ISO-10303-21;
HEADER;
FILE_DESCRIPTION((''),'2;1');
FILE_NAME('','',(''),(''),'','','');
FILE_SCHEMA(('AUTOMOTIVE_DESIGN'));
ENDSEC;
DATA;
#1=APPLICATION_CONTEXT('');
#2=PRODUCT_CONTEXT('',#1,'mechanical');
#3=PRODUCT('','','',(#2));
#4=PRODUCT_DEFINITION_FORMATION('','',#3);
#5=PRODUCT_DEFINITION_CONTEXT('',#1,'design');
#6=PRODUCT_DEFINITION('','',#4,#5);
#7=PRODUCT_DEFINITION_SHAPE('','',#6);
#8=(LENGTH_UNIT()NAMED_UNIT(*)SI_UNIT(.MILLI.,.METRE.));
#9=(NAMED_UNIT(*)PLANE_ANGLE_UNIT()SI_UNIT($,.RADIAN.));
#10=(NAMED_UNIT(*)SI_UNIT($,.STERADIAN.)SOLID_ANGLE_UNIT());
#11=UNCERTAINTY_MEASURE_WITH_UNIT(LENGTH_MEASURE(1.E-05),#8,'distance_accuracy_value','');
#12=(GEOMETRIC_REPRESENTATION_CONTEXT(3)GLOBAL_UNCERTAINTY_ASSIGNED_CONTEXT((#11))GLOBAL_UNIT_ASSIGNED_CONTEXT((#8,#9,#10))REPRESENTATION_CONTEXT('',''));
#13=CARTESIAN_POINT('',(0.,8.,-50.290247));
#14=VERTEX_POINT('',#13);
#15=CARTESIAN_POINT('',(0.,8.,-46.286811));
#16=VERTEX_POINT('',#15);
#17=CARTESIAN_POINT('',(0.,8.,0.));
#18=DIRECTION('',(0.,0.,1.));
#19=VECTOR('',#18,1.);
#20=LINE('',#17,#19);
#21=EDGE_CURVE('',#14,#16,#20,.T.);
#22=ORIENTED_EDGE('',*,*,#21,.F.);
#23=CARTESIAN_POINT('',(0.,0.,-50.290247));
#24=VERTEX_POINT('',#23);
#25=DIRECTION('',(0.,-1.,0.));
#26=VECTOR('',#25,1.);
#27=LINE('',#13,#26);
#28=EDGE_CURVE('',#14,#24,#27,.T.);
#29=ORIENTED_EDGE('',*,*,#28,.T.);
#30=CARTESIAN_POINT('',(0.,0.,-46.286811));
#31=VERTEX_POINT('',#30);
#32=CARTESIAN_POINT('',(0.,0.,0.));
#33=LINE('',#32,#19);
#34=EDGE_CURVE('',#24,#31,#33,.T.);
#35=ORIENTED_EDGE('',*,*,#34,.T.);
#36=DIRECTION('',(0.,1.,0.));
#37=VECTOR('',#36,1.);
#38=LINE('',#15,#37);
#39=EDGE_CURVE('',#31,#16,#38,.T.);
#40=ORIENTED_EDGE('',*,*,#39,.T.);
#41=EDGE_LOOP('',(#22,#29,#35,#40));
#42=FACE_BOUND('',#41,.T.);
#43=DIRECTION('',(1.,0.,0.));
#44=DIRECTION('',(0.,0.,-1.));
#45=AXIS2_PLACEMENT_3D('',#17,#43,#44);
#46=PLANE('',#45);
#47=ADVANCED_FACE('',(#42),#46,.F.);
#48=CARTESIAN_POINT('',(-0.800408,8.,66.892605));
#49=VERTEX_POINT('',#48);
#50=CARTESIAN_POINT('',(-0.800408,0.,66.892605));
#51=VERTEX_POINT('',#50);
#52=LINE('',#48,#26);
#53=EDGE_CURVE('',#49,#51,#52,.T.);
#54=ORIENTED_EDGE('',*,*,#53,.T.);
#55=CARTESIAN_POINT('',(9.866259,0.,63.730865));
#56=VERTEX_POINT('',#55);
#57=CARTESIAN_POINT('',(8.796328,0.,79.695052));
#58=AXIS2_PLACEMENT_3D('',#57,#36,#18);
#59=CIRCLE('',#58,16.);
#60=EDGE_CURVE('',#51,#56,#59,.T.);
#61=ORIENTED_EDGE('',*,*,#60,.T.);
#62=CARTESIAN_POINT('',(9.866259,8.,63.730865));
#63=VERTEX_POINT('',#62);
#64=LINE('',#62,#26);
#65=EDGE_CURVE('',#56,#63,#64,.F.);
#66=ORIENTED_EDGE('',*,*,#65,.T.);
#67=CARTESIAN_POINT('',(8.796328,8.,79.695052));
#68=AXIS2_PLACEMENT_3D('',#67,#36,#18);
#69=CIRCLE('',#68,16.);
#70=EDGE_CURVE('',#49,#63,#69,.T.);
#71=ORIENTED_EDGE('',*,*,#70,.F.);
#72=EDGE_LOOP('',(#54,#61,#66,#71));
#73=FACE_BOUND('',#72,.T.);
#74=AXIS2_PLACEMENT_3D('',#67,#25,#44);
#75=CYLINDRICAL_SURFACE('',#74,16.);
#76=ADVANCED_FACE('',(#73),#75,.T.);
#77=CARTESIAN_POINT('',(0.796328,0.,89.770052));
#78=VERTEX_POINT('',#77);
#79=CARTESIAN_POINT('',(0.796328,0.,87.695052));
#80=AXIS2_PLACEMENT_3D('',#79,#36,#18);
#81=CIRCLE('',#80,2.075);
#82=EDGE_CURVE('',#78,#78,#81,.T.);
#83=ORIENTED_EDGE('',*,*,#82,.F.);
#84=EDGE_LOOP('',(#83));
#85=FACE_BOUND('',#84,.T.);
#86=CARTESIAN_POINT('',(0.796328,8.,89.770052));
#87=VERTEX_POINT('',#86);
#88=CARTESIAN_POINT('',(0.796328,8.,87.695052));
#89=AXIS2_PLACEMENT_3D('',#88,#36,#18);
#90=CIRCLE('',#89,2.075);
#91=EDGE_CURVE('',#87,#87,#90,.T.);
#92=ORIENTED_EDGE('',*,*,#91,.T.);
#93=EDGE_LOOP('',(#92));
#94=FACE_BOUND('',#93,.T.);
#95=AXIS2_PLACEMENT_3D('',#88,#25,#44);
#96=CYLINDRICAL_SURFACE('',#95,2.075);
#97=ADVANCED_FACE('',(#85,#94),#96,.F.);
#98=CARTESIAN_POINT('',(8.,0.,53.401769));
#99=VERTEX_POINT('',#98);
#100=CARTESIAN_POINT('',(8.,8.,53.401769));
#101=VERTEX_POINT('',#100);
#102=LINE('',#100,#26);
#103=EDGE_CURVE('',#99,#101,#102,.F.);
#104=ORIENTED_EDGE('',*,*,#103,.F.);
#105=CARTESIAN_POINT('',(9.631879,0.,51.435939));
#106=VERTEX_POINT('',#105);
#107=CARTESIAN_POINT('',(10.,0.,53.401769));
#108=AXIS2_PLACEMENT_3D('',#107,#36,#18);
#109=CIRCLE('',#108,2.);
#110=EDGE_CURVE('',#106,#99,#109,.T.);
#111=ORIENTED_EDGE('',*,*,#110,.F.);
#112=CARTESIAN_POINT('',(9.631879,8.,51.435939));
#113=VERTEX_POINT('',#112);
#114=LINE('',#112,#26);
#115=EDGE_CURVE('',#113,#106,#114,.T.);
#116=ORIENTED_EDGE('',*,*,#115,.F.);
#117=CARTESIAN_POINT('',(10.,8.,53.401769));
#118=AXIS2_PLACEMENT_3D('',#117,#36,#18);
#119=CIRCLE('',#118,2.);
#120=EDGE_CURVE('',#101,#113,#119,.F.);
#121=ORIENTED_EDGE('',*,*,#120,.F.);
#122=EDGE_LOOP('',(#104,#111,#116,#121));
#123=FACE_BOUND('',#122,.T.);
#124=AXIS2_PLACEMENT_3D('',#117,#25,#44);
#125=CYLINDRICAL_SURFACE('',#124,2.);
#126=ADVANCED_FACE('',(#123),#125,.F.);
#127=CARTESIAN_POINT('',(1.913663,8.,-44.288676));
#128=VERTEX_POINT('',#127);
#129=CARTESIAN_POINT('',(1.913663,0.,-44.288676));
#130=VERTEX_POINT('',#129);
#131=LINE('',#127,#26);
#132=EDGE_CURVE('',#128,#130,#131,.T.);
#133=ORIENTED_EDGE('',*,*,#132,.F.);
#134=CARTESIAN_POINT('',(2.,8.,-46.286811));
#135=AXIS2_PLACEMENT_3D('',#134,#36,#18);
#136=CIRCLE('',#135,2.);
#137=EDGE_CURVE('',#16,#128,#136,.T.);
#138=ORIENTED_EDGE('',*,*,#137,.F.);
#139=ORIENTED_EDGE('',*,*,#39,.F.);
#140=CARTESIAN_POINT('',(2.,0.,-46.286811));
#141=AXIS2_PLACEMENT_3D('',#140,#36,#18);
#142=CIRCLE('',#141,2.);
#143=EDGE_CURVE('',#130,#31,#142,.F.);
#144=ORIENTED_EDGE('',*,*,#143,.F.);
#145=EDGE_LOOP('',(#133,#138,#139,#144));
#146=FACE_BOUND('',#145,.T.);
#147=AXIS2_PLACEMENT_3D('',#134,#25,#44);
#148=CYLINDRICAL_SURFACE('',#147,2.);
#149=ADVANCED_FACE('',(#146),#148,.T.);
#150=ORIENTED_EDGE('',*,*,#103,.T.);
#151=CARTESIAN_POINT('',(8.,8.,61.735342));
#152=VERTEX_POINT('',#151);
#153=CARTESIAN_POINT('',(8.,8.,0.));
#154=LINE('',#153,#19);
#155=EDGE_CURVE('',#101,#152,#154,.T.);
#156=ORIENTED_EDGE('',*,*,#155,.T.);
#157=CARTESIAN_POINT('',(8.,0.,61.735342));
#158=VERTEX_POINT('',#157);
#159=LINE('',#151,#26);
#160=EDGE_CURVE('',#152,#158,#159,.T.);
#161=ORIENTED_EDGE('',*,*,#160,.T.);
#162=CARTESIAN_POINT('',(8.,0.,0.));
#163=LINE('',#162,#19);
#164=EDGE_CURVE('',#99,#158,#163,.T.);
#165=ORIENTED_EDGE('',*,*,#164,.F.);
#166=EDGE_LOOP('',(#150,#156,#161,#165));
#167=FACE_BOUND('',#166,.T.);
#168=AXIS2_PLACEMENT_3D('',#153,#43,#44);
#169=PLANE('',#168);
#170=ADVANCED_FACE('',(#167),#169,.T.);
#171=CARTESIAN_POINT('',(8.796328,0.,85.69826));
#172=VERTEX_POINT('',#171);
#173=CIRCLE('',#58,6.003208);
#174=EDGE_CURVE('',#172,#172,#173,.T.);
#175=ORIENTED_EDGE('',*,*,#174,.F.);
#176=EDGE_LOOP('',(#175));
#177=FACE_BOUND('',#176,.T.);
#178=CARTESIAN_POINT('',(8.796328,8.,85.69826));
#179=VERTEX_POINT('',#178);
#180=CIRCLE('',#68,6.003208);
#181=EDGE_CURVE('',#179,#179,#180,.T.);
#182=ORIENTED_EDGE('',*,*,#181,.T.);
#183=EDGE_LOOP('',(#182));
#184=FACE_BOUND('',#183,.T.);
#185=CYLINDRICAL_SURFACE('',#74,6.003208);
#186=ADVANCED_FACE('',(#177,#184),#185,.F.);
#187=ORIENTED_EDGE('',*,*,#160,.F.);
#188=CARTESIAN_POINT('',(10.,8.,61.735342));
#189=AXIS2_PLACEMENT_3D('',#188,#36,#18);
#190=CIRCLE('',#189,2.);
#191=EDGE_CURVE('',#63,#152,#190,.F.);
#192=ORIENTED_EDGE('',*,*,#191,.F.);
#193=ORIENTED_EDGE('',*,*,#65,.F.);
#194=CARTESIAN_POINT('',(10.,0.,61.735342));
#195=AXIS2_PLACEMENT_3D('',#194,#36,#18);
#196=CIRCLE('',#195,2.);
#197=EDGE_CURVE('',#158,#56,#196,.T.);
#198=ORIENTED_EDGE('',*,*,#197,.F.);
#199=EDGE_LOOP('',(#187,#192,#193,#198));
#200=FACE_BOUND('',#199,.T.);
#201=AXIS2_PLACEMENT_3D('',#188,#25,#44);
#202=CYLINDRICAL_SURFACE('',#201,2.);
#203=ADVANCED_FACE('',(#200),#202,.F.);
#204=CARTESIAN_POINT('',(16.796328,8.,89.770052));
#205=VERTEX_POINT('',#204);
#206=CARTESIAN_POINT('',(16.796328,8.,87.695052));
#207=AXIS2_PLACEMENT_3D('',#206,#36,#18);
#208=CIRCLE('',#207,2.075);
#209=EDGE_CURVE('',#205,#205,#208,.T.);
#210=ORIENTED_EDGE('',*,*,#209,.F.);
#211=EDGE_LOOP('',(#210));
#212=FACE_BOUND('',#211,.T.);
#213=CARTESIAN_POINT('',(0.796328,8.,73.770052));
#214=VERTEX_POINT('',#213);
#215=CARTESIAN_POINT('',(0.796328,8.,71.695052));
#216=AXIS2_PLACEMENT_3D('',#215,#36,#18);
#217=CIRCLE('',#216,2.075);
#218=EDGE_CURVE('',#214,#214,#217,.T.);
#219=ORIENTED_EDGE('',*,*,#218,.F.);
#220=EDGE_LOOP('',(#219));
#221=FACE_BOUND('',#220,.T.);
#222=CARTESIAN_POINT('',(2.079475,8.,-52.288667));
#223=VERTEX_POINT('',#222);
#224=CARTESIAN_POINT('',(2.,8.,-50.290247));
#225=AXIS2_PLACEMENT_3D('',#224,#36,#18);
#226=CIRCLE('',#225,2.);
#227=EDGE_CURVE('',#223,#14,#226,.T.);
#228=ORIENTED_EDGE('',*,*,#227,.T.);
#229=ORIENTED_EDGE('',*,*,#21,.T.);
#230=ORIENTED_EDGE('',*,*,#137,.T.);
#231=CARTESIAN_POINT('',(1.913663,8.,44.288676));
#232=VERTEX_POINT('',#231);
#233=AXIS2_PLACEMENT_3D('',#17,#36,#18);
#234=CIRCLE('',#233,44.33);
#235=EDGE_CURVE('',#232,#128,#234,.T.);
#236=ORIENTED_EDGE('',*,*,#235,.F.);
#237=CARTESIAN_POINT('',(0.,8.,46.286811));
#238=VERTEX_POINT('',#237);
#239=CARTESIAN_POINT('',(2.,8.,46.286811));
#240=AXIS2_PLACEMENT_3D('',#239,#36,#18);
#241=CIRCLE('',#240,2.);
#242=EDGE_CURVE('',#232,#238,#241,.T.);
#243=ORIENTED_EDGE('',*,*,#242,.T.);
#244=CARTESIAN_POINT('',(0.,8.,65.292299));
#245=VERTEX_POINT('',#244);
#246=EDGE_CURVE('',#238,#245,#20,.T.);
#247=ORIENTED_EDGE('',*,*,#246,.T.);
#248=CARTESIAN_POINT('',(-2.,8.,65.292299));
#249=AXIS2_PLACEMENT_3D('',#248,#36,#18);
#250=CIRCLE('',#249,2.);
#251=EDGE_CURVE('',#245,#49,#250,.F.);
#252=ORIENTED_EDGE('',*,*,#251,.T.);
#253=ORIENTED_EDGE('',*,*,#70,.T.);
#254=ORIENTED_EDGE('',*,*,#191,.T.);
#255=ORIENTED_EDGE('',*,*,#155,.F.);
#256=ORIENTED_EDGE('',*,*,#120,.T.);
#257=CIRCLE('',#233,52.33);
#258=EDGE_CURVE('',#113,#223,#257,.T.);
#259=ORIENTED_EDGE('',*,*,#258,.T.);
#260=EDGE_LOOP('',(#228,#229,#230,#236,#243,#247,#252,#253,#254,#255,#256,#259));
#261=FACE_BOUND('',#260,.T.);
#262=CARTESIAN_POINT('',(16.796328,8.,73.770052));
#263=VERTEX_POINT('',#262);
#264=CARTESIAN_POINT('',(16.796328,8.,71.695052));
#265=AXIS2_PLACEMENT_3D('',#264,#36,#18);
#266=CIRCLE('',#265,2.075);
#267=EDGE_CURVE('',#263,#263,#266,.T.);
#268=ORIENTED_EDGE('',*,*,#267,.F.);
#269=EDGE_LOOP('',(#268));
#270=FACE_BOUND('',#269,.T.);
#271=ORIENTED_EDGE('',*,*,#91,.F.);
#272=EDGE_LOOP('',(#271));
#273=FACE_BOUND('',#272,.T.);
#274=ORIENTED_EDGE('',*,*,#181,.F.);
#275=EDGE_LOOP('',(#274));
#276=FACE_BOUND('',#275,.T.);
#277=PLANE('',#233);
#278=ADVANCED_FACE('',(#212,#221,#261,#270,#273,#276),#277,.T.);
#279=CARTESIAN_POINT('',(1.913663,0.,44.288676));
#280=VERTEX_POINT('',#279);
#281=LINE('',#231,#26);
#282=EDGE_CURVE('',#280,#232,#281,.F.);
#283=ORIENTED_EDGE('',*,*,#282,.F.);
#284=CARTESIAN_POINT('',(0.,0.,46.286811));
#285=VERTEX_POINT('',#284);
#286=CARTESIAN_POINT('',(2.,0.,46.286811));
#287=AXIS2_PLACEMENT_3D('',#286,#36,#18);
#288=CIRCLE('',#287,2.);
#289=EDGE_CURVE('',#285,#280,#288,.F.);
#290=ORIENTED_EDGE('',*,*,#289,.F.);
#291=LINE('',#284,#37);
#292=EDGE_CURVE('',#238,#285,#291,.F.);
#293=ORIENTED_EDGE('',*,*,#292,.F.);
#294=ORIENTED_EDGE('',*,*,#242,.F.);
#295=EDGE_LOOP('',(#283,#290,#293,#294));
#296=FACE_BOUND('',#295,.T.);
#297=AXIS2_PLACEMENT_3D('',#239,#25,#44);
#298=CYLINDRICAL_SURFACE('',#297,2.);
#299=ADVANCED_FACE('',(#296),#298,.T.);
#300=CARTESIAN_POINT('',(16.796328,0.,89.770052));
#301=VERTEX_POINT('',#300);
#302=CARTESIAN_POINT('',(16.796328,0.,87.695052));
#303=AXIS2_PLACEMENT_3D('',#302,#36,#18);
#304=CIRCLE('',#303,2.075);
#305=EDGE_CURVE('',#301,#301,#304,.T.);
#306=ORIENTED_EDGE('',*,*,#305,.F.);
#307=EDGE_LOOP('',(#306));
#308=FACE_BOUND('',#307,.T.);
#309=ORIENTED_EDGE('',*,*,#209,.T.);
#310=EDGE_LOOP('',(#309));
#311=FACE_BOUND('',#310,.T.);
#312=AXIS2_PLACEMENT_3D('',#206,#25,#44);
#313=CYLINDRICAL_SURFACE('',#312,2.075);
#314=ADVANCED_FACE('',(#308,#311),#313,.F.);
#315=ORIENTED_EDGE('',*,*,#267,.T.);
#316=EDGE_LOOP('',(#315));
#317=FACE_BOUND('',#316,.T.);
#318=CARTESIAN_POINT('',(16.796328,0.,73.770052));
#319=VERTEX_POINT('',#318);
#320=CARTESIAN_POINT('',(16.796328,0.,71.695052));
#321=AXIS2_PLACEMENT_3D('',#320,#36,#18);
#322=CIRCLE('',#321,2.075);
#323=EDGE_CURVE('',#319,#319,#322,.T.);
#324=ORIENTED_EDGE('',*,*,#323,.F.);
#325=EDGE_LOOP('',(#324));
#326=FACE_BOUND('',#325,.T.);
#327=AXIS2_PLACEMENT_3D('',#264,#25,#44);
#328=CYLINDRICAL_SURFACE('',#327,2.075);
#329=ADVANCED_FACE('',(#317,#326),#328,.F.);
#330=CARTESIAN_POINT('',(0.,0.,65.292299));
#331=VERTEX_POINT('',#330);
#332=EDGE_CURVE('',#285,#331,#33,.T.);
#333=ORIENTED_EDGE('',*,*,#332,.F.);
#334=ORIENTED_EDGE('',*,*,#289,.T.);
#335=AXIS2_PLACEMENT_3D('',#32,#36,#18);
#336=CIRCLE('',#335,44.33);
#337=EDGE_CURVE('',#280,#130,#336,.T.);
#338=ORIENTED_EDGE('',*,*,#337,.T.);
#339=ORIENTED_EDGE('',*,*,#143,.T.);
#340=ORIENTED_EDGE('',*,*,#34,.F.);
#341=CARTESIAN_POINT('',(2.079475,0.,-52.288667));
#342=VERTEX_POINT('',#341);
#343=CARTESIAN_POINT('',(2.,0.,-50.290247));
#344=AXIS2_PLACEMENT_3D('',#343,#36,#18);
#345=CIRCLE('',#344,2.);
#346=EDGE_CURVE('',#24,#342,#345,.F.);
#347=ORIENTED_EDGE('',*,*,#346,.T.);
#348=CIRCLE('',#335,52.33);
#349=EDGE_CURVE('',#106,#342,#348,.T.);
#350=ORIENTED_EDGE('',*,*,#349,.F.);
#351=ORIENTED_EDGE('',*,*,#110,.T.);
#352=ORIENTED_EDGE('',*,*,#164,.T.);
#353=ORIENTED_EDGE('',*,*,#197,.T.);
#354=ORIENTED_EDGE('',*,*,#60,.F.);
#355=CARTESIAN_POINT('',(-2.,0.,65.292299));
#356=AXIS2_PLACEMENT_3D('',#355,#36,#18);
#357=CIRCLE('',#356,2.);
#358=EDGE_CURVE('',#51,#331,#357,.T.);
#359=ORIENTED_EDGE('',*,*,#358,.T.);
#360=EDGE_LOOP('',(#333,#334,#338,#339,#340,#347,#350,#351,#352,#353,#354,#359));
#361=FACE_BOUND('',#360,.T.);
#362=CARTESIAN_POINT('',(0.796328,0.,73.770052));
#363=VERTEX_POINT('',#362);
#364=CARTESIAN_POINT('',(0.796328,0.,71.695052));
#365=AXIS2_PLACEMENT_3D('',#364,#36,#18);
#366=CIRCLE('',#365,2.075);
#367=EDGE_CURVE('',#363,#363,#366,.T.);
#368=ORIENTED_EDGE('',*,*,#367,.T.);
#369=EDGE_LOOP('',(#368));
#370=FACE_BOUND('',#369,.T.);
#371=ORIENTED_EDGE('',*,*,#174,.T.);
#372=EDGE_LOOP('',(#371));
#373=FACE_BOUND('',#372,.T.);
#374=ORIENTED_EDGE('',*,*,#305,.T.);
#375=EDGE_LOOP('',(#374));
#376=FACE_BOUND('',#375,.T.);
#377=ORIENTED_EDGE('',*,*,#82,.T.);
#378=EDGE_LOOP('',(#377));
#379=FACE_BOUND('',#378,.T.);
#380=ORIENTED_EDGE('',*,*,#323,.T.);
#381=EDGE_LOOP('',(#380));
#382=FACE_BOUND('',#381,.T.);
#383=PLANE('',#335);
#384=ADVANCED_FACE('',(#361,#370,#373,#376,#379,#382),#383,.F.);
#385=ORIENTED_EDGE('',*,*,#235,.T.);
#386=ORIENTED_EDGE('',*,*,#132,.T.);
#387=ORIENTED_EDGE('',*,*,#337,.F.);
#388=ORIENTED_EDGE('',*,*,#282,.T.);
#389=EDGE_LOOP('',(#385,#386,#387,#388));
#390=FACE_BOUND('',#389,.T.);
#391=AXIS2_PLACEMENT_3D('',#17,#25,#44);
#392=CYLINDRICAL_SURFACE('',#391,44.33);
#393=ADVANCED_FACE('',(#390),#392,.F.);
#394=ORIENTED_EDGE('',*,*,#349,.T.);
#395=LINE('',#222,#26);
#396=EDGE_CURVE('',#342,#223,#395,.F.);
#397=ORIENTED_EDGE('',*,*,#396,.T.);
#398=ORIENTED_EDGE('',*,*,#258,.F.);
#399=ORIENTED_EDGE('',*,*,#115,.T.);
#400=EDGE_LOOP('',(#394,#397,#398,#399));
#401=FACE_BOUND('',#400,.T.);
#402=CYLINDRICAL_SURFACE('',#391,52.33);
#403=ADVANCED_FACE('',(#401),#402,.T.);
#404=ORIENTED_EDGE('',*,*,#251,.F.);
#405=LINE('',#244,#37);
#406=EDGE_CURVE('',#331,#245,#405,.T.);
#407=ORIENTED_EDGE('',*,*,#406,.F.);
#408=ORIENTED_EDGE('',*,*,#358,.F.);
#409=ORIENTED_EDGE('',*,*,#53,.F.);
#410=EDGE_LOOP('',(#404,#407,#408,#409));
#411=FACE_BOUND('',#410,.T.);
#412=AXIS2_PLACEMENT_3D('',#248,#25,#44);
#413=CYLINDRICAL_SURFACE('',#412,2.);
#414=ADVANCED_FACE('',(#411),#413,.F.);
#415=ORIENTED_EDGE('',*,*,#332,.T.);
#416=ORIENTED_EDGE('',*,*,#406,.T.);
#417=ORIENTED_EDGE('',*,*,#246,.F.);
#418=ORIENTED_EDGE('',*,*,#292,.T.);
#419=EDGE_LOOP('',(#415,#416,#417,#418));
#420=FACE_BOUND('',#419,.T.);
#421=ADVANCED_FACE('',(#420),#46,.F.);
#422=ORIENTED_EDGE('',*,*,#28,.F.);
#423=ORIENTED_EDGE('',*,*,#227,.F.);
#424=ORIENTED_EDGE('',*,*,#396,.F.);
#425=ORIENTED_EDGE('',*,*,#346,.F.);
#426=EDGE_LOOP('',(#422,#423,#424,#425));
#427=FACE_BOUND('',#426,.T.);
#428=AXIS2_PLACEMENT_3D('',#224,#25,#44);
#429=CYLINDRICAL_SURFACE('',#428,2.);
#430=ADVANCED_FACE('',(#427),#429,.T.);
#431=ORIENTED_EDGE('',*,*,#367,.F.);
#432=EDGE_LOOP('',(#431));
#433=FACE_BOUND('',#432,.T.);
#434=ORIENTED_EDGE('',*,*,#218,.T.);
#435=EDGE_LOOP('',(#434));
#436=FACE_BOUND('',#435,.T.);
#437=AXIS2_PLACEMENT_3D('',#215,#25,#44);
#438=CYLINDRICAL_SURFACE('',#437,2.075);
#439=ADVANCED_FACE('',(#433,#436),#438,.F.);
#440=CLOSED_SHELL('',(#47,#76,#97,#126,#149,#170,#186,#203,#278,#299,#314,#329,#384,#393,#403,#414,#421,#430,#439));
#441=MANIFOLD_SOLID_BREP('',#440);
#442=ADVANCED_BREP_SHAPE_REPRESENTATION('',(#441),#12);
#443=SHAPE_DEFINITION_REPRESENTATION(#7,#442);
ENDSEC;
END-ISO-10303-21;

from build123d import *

# Parameters (mm, degrees)
SKETCH1_R           = 2.075
SKETCH1_R_2         = 6.003208263
BOSS_EXTRUDE2_DEPTH = 8
FILLET1_R           = 2


with BuildPart() as part:
    # Sketch1 → Boss-Extrude2 (new body)
    with BuildSketch(Plane(origin=(0, 0, 0), x_dir=(1, 0, 0), z_dir=(0, 1, 0))):
        with BuildLine():
            Line((0, 52.33), (0, 44.33))
            ThreePointArc((0, 44.33), (44.33, 0), (0, -44.33))
            Line((0, -44.33), (0, -54.33))
            Line((0, -54.33), (0, -66.33))
            ThreePointArc((0, -66.33), (13.767694167, -94.903125951), (8, -63.714880837))
            Line((8, -63.714880837), (8, -51.714880837))
            ThreePointArc((8, -51.714880837), (52.17599359, 4.011806687), (0, 52.33))
        make_face()
        with Locations(Location((0.79632837, -71.69505171, 0), (0, 0, 270))):
            Circle(SKETCH1_R, mode=Mode.SUBTRACT)
        with Locations(Location((16.79632837, -71.69505171, 0), (0, 0, 270))):
            Circle(SKETCH1_R, mode=Mode.SUBTRACT)
        with Locations(Location((16.79632837, -87.69505171, 0), (0, 0, 270))):
            Circle(SKETCH1_R, mode=Mode.SUBTRACT)
        with Locations(Location((0.79632837, -87.69505171, 0), (0, 0, 270))):
            Circle(SKETCH1_R, mode=Mode.SUBTRACT)
        with Locations(Location((8.79632837, -79.69505171, 0), (0, 0, 270))):
            Circle(SKETCH1_R_2, mode=Mode.SUBTRACT)
    extrude(amount=BOSS_EXTRUDE2_DEPTH)

    # Fillet1
    fillet1_edges = [part.edges().sort_by_distance(p)[0] for p in [
        (0, 4, 66.33),
        (0, 4, 44.33),
        (0, 4, -44.33),
        (0, 4, -52.33),
        (8, 4, 51.714880837),
        (8, 4, 63.714880837),
    ]]
    fillet(fillet1_edges, radius=FILLET1_R)


solid = part.part
